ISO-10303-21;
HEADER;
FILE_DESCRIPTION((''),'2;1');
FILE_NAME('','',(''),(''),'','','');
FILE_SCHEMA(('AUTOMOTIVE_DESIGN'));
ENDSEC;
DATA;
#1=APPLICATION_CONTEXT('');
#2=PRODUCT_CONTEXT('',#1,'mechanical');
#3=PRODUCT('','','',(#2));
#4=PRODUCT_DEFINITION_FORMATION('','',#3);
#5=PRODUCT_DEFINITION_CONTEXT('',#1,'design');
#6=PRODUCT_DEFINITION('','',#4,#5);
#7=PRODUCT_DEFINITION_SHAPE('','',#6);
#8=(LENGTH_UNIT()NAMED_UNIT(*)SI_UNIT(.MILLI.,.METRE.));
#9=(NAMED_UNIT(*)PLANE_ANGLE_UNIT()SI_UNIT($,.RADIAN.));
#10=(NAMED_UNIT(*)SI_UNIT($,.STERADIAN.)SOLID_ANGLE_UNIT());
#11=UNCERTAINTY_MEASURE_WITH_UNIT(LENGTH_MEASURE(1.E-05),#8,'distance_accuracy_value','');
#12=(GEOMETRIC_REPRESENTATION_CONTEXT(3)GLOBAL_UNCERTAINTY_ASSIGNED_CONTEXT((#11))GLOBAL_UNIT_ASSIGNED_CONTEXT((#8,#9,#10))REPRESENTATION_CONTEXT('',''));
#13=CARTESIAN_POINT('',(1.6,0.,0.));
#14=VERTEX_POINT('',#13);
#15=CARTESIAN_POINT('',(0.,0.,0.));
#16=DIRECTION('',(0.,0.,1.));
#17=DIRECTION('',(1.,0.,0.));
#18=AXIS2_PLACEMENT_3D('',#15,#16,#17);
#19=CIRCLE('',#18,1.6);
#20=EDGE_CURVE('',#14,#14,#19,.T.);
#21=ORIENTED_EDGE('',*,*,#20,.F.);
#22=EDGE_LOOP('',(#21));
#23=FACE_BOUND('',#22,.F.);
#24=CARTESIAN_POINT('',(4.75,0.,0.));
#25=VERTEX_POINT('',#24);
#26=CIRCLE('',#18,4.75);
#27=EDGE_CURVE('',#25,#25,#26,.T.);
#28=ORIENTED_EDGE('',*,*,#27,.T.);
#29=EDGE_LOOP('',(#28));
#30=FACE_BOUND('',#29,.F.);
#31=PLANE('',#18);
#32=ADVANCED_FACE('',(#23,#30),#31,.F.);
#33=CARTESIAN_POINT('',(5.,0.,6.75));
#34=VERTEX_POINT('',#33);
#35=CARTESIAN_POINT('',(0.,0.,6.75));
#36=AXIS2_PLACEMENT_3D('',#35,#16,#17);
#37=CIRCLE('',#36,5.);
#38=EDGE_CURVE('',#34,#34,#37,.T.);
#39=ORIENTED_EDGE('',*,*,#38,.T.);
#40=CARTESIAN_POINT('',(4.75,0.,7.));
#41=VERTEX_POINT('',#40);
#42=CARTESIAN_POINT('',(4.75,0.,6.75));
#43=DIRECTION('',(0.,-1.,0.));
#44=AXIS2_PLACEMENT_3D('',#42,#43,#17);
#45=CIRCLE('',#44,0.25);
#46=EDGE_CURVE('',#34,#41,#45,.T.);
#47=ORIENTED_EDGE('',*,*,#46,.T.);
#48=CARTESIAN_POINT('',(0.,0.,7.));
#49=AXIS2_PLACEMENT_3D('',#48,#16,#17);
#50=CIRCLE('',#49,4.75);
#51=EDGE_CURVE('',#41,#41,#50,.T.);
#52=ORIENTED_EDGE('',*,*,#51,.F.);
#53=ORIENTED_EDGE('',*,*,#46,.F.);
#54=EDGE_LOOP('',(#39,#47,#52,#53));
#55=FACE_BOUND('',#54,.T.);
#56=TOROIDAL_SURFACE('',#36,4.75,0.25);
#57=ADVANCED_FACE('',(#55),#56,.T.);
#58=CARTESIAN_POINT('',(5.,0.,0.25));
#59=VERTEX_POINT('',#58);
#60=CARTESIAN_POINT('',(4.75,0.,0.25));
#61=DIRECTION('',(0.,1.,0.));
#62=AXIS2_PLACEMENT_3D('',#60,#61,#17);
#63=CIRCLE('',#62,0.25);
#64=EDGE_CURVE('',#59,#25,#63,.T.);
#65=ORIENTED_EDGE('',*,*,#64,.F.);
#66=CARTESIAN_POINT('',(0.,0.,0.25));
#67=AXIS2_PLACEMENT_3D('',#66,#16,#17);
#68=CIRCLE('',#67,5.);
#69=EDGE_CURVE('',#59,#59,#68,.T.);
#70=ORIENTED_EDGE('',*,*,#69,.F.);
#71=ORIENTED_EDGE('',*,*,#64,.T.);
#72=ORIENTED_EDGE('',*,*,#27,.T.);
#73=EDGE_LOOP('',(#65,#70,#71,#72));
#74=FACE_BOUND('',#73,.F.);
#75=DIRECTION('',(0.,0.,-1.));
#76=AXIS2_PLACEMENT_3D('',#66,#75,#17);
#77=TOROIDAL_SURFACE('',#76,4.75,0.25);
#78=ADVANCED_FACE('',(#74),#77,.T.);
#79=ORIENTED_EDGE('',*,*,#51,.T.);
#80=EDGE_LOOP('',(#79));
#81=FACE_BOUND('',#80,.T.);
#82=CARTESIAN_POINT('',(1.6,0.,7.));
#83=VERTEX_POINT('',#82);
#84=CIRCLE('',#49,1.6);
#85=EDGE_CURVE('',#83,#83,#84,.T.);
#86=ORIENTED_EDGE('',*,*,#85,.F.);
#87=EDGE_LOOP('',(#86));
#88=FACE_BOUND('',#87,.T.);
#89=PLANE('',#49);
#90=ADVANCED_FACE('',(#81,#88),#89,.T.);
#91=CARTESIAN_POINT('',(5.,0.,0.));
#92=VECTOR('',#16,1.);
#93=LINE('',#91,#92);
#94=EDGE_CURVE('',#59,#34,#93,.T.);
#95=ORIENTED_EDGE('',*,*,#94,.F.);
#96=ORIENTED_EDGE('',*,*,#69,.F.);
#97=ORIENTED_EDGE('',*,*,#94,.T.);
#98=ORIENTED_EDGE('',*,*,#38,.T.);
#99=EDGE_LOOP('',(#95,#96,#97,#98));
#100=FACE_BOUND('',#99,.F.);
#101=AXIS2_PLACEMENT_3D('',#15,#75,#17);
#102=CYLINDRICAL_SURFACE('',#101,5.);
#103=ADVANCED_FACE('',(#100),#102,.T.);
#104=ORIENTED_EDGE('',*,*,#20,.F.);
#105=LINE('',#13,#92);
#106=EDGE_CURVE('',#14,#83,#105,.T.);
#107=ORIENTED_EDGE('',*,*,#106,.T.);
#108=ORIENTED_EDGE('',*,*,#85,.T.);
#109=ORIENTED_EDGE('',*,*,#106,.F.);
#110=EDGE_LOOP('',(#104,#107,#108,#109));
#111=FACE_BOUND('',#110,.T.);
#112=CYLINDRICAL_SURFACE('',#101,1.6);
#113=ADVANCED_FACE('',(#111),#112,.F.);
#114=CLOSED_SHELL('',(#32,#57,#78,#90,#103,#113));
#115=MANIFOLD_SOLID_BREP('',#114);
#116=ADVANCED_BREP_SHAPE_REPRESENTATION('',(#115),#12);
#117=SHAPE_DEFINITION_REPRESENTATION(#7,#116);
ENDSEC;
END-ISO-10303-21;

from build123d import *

# Parameters (mm, degrees)
ESQUISSE1_R        = 5
ESQUISSE1_R_2      = 1.6
BOSS_EXTRU_1_DEPTH = 7
CONG_1_R           = 0.25
CONG_2_R           = 0.25


with BuildPart() as part:
    # Esquisse1 → Boss.-Extru.1 (new body)
    with BuildSketch(Plane.XY):
        Circle(ESQUISSE1_R)
        Circle(ESQUISSE1_R_2, mode=Mode.SUBTRACT)
    extrude(amount=BOSS_EXTRU_1_DEPTH)

    # Congé1
    cong_1_edges = [part.edges().sort_by_distance(p)[0] for p in [
        (-5, 0, 7),
    ]]
    fillet(cong_1_edges, radius=CONG_1_R)

    # Congé2
    cong_2_edges = [part.edges().sort_by_distance(p)[0] for p in [
        (-5, 0, 0),
    ]]
    fillet(cong_2_edges, radius=CONG_2_R)


solid = part.part
